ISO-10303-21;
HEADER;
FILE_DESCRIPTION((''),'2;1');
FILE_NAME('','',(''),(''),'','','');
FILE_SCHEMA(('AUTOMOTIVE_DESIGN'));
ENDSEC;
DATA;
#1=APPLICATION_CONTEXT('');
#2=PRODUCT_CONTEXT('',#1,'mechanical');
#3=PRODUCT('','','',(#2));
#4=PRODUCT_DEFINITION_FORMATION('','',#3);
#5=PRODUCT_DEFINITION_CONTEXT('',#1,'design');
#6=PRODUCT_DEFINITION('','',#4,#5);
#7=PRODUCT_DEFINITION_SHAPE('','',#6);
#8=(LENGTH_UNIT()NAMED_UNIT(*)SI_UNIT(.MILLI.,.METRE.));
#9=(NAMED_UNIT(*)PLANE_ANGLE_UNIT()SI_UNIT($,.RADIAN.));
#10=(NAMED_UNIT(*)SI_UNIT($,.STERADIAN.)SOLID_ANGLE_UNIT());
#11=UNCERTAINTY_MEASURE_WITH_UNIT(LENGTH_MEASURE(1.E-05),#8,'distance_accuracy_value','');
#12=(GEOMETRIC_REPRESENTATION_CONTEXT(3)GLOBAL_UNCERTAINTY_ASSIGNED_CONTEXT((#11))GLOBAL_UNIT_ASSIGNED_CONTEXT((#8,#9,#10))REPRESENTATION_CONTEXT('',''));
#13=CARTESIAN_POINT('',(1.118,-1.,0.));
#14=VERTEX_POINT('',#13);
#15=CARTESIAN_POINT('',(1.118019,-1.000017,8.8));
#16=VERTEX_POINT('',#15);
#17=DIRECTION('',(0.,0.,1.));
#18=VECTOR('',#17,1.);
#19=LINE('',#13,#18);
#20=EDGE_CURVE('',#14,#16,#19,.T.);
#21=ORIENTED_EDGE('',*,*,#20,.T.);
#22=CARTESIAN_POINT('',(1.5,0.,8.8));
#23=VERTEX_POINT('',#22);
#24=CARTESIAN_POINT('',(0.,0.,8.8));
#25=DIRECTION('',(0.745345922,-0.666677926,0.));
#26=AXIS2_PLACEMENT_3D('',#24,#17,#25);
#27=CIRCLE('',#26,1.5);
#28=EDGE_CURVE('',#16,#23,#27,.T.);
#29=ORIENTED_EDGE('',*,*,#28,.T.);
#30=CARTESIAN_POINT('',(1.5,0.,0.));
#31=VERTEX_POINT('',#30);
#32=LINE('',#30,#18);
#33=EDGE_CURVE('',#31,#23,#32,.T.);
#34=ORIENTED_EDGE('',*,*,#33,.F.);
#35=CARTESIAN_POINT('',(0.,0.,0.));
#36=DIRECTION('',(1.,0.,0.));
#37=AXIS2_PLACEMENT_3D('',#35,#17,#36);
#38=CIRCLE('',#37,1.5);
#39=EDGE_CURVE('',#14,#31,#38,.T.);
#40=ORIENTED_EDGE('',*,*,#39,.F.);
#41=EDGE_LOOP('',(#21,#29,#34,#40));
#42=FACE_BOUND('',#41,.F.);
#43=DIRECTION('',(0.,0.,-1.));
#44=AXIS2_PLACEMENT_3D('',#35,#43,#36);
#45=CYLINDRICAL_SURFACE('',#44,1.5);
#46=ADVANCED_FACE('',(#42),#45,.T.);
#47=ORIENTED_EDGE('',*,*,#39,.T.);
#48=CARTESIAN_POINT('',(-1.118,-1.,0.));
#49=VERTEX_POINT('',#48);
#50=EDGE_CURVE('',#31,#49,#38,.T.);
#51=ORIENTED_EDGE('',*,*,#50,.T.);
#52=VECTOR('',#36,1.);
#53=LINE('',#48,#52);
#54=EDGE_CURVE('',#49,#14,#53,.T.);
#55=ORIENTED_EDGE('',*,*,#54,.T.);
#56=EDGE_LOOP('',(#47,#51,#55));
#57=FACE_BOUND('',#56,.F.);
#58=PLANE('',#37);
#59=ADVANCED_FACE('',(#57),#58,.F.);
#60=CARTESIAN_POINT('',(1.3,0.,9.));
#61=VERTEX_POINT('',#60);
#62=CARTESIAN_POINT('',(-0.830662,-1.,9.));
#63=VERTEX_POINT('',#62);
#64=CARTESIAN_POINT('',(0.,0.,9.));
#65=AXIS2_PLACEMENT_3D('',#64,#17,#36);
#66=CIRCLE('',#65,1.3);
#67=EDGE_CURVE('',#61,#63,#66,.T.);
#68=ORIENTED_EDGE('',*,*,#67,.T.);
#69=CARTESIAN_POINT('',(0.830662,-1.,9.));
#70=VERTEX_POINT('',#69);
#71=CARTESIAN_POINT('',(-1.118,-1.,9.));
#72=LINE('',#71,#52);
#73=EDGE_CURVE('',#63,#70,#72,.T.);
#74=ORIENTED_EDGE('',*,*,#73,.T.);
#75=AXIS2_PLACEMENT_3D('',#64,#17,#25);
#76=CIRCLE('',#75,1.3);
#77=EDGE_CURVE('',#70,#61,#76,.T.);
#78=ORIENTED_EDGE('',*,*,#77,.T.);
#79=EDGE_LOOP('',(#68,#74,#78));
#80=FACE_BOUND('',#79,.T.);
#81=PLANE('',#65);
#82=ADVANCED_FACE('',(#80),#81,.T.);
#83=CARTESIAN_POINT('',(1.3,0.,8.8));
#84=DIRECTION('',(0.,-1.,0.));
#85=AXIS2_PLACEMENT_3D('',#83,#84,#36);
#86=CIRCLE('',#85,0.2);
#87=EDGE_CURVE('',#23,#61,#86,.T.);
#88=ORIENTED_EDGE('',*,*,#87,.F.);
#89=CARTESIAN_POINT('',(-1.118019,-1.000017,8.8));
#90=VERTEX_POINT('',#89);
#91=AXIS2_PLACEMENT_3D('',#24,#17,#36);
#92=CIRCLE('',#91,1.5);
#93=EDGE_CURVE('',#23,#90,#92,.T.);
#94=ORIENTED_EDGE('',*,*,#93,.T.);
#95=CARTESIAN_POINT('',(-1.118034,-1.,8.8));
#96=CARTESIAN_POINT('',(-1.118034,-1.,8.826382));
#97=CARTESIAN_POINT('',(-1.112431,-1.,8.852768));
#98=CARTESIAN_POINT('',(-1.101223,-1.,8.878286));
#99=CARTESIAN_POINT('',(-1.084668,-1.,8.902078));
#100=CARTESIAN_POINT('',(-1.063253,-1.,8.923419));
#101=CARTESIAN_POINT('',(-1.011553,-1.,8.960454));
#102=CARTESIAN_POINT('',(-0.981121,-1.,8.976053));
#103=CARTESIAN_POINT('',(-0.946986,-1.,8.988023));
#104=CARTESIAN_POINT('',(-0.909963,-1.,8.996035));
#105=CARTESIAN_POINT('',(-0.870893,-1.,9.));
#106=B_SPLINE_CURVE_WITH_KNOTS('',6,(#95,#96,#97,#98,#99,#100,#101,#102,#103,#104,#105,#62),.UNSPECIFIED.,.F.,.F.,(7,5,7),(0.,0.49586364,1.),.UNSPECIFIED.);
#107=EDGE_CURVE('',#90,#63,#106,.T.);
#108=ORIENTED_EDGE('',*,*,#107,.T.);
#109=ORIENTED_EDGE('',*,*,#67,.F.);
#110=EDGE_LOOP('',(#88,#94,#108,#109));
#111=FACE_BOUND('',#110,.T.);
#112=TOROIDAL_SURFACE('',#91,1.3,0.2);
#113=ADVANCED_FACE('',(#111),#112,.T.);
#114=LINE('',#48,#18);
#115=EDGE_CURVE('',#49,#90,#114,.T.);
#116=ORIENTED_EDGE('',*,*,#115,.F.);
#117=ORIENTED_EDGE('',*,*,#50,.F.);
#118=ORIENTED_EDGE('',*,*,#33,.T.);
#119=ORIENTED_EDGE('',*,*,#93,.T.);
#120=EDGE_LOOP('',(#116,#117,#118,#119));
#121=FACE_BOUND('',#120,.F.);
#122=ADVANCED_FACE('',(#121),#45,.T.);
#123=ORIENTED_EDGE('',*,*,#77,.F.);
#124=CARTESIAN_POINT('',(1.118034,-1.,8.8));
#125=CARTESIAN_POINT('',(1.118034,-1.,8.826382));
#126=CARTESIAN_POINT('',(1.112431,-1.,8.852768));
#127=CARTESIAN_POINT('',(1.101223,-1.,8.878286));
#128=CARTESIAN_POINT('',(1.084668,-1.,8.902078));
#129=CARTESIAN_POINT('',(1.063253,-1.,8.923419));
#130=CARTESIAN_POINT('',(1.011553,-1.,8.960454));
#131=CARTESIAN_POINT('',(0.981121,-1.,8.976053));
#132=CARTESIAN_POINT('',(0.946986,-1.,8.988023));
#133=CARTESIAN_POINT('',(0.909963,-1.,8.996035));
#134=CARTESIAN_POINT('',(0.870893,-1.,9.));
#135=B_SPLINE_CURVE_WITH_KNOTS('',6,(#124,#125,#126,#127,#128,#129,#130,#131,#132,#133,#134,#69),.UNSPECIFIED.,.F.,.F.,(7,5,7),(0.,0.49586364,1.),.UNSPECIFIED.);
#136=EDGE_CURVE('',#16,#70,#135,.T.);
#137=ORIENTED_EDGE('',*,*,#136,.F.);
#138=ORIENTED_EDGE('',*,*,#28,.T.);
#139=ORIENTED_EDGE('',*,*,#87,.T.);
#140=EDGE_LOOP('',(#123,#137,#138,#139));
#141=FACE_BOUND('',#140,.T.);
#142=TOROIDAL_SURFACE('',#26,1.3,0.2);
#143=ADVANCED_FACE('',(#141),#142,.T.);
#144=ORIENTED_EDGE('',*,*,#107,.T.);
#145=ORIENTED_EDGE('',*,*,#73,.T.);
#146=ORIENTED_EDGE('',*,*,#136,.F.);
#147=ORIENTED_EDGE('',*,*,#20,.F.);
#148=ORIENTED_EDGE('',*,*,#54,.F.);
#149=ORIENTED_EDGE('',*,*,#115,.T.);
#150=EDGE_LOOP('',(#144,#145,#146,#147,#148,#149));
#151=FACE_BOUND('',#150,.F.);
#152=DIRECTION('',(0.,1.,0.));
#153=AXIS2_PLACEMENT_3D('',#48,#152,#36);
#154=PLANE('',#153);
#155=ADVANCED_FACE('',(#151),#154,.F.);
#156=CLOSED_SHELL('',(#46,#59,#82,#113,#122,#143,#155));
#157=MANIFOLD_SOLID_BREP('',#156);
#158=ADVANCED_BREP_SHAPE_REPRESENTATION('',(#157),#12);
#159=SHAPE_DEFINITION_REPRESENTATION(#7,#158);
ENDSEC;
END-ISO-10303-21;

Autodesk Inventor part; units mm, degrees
ref_plane "YZ Plane" through (0, 0, 0) normal (1, 0, 0) x (0, 1, 0)
ref_plane "XZ Plane" through (0, 0, 0) normal (0, 1, 0) x (-1, 0, 0)
ref_plane "XY Plane" through (0, 0, 0) normal (0, 0, 1) x (1, 0, 0)
sketch "Esquisse2" plane through (0, 0, 0) normal (0, 0, 1) x (1, 0, 0)
  circle A0 centre (0, 0) radius 1.5
  line L0 (-1.118, -1) -> (1.118, -1)
  dimension "d2" = 3
  dimension "d3" = 0.5
extrude "Extrusion1" add sketch "Esquisse2" along normal blind 9 contours A0 L0 picked at (0.0594, -0.1702)
fillet "Congé1" radius 0.2 1 edges at (0, 1.5, 9)
properties part number "axe" material "Acier"
